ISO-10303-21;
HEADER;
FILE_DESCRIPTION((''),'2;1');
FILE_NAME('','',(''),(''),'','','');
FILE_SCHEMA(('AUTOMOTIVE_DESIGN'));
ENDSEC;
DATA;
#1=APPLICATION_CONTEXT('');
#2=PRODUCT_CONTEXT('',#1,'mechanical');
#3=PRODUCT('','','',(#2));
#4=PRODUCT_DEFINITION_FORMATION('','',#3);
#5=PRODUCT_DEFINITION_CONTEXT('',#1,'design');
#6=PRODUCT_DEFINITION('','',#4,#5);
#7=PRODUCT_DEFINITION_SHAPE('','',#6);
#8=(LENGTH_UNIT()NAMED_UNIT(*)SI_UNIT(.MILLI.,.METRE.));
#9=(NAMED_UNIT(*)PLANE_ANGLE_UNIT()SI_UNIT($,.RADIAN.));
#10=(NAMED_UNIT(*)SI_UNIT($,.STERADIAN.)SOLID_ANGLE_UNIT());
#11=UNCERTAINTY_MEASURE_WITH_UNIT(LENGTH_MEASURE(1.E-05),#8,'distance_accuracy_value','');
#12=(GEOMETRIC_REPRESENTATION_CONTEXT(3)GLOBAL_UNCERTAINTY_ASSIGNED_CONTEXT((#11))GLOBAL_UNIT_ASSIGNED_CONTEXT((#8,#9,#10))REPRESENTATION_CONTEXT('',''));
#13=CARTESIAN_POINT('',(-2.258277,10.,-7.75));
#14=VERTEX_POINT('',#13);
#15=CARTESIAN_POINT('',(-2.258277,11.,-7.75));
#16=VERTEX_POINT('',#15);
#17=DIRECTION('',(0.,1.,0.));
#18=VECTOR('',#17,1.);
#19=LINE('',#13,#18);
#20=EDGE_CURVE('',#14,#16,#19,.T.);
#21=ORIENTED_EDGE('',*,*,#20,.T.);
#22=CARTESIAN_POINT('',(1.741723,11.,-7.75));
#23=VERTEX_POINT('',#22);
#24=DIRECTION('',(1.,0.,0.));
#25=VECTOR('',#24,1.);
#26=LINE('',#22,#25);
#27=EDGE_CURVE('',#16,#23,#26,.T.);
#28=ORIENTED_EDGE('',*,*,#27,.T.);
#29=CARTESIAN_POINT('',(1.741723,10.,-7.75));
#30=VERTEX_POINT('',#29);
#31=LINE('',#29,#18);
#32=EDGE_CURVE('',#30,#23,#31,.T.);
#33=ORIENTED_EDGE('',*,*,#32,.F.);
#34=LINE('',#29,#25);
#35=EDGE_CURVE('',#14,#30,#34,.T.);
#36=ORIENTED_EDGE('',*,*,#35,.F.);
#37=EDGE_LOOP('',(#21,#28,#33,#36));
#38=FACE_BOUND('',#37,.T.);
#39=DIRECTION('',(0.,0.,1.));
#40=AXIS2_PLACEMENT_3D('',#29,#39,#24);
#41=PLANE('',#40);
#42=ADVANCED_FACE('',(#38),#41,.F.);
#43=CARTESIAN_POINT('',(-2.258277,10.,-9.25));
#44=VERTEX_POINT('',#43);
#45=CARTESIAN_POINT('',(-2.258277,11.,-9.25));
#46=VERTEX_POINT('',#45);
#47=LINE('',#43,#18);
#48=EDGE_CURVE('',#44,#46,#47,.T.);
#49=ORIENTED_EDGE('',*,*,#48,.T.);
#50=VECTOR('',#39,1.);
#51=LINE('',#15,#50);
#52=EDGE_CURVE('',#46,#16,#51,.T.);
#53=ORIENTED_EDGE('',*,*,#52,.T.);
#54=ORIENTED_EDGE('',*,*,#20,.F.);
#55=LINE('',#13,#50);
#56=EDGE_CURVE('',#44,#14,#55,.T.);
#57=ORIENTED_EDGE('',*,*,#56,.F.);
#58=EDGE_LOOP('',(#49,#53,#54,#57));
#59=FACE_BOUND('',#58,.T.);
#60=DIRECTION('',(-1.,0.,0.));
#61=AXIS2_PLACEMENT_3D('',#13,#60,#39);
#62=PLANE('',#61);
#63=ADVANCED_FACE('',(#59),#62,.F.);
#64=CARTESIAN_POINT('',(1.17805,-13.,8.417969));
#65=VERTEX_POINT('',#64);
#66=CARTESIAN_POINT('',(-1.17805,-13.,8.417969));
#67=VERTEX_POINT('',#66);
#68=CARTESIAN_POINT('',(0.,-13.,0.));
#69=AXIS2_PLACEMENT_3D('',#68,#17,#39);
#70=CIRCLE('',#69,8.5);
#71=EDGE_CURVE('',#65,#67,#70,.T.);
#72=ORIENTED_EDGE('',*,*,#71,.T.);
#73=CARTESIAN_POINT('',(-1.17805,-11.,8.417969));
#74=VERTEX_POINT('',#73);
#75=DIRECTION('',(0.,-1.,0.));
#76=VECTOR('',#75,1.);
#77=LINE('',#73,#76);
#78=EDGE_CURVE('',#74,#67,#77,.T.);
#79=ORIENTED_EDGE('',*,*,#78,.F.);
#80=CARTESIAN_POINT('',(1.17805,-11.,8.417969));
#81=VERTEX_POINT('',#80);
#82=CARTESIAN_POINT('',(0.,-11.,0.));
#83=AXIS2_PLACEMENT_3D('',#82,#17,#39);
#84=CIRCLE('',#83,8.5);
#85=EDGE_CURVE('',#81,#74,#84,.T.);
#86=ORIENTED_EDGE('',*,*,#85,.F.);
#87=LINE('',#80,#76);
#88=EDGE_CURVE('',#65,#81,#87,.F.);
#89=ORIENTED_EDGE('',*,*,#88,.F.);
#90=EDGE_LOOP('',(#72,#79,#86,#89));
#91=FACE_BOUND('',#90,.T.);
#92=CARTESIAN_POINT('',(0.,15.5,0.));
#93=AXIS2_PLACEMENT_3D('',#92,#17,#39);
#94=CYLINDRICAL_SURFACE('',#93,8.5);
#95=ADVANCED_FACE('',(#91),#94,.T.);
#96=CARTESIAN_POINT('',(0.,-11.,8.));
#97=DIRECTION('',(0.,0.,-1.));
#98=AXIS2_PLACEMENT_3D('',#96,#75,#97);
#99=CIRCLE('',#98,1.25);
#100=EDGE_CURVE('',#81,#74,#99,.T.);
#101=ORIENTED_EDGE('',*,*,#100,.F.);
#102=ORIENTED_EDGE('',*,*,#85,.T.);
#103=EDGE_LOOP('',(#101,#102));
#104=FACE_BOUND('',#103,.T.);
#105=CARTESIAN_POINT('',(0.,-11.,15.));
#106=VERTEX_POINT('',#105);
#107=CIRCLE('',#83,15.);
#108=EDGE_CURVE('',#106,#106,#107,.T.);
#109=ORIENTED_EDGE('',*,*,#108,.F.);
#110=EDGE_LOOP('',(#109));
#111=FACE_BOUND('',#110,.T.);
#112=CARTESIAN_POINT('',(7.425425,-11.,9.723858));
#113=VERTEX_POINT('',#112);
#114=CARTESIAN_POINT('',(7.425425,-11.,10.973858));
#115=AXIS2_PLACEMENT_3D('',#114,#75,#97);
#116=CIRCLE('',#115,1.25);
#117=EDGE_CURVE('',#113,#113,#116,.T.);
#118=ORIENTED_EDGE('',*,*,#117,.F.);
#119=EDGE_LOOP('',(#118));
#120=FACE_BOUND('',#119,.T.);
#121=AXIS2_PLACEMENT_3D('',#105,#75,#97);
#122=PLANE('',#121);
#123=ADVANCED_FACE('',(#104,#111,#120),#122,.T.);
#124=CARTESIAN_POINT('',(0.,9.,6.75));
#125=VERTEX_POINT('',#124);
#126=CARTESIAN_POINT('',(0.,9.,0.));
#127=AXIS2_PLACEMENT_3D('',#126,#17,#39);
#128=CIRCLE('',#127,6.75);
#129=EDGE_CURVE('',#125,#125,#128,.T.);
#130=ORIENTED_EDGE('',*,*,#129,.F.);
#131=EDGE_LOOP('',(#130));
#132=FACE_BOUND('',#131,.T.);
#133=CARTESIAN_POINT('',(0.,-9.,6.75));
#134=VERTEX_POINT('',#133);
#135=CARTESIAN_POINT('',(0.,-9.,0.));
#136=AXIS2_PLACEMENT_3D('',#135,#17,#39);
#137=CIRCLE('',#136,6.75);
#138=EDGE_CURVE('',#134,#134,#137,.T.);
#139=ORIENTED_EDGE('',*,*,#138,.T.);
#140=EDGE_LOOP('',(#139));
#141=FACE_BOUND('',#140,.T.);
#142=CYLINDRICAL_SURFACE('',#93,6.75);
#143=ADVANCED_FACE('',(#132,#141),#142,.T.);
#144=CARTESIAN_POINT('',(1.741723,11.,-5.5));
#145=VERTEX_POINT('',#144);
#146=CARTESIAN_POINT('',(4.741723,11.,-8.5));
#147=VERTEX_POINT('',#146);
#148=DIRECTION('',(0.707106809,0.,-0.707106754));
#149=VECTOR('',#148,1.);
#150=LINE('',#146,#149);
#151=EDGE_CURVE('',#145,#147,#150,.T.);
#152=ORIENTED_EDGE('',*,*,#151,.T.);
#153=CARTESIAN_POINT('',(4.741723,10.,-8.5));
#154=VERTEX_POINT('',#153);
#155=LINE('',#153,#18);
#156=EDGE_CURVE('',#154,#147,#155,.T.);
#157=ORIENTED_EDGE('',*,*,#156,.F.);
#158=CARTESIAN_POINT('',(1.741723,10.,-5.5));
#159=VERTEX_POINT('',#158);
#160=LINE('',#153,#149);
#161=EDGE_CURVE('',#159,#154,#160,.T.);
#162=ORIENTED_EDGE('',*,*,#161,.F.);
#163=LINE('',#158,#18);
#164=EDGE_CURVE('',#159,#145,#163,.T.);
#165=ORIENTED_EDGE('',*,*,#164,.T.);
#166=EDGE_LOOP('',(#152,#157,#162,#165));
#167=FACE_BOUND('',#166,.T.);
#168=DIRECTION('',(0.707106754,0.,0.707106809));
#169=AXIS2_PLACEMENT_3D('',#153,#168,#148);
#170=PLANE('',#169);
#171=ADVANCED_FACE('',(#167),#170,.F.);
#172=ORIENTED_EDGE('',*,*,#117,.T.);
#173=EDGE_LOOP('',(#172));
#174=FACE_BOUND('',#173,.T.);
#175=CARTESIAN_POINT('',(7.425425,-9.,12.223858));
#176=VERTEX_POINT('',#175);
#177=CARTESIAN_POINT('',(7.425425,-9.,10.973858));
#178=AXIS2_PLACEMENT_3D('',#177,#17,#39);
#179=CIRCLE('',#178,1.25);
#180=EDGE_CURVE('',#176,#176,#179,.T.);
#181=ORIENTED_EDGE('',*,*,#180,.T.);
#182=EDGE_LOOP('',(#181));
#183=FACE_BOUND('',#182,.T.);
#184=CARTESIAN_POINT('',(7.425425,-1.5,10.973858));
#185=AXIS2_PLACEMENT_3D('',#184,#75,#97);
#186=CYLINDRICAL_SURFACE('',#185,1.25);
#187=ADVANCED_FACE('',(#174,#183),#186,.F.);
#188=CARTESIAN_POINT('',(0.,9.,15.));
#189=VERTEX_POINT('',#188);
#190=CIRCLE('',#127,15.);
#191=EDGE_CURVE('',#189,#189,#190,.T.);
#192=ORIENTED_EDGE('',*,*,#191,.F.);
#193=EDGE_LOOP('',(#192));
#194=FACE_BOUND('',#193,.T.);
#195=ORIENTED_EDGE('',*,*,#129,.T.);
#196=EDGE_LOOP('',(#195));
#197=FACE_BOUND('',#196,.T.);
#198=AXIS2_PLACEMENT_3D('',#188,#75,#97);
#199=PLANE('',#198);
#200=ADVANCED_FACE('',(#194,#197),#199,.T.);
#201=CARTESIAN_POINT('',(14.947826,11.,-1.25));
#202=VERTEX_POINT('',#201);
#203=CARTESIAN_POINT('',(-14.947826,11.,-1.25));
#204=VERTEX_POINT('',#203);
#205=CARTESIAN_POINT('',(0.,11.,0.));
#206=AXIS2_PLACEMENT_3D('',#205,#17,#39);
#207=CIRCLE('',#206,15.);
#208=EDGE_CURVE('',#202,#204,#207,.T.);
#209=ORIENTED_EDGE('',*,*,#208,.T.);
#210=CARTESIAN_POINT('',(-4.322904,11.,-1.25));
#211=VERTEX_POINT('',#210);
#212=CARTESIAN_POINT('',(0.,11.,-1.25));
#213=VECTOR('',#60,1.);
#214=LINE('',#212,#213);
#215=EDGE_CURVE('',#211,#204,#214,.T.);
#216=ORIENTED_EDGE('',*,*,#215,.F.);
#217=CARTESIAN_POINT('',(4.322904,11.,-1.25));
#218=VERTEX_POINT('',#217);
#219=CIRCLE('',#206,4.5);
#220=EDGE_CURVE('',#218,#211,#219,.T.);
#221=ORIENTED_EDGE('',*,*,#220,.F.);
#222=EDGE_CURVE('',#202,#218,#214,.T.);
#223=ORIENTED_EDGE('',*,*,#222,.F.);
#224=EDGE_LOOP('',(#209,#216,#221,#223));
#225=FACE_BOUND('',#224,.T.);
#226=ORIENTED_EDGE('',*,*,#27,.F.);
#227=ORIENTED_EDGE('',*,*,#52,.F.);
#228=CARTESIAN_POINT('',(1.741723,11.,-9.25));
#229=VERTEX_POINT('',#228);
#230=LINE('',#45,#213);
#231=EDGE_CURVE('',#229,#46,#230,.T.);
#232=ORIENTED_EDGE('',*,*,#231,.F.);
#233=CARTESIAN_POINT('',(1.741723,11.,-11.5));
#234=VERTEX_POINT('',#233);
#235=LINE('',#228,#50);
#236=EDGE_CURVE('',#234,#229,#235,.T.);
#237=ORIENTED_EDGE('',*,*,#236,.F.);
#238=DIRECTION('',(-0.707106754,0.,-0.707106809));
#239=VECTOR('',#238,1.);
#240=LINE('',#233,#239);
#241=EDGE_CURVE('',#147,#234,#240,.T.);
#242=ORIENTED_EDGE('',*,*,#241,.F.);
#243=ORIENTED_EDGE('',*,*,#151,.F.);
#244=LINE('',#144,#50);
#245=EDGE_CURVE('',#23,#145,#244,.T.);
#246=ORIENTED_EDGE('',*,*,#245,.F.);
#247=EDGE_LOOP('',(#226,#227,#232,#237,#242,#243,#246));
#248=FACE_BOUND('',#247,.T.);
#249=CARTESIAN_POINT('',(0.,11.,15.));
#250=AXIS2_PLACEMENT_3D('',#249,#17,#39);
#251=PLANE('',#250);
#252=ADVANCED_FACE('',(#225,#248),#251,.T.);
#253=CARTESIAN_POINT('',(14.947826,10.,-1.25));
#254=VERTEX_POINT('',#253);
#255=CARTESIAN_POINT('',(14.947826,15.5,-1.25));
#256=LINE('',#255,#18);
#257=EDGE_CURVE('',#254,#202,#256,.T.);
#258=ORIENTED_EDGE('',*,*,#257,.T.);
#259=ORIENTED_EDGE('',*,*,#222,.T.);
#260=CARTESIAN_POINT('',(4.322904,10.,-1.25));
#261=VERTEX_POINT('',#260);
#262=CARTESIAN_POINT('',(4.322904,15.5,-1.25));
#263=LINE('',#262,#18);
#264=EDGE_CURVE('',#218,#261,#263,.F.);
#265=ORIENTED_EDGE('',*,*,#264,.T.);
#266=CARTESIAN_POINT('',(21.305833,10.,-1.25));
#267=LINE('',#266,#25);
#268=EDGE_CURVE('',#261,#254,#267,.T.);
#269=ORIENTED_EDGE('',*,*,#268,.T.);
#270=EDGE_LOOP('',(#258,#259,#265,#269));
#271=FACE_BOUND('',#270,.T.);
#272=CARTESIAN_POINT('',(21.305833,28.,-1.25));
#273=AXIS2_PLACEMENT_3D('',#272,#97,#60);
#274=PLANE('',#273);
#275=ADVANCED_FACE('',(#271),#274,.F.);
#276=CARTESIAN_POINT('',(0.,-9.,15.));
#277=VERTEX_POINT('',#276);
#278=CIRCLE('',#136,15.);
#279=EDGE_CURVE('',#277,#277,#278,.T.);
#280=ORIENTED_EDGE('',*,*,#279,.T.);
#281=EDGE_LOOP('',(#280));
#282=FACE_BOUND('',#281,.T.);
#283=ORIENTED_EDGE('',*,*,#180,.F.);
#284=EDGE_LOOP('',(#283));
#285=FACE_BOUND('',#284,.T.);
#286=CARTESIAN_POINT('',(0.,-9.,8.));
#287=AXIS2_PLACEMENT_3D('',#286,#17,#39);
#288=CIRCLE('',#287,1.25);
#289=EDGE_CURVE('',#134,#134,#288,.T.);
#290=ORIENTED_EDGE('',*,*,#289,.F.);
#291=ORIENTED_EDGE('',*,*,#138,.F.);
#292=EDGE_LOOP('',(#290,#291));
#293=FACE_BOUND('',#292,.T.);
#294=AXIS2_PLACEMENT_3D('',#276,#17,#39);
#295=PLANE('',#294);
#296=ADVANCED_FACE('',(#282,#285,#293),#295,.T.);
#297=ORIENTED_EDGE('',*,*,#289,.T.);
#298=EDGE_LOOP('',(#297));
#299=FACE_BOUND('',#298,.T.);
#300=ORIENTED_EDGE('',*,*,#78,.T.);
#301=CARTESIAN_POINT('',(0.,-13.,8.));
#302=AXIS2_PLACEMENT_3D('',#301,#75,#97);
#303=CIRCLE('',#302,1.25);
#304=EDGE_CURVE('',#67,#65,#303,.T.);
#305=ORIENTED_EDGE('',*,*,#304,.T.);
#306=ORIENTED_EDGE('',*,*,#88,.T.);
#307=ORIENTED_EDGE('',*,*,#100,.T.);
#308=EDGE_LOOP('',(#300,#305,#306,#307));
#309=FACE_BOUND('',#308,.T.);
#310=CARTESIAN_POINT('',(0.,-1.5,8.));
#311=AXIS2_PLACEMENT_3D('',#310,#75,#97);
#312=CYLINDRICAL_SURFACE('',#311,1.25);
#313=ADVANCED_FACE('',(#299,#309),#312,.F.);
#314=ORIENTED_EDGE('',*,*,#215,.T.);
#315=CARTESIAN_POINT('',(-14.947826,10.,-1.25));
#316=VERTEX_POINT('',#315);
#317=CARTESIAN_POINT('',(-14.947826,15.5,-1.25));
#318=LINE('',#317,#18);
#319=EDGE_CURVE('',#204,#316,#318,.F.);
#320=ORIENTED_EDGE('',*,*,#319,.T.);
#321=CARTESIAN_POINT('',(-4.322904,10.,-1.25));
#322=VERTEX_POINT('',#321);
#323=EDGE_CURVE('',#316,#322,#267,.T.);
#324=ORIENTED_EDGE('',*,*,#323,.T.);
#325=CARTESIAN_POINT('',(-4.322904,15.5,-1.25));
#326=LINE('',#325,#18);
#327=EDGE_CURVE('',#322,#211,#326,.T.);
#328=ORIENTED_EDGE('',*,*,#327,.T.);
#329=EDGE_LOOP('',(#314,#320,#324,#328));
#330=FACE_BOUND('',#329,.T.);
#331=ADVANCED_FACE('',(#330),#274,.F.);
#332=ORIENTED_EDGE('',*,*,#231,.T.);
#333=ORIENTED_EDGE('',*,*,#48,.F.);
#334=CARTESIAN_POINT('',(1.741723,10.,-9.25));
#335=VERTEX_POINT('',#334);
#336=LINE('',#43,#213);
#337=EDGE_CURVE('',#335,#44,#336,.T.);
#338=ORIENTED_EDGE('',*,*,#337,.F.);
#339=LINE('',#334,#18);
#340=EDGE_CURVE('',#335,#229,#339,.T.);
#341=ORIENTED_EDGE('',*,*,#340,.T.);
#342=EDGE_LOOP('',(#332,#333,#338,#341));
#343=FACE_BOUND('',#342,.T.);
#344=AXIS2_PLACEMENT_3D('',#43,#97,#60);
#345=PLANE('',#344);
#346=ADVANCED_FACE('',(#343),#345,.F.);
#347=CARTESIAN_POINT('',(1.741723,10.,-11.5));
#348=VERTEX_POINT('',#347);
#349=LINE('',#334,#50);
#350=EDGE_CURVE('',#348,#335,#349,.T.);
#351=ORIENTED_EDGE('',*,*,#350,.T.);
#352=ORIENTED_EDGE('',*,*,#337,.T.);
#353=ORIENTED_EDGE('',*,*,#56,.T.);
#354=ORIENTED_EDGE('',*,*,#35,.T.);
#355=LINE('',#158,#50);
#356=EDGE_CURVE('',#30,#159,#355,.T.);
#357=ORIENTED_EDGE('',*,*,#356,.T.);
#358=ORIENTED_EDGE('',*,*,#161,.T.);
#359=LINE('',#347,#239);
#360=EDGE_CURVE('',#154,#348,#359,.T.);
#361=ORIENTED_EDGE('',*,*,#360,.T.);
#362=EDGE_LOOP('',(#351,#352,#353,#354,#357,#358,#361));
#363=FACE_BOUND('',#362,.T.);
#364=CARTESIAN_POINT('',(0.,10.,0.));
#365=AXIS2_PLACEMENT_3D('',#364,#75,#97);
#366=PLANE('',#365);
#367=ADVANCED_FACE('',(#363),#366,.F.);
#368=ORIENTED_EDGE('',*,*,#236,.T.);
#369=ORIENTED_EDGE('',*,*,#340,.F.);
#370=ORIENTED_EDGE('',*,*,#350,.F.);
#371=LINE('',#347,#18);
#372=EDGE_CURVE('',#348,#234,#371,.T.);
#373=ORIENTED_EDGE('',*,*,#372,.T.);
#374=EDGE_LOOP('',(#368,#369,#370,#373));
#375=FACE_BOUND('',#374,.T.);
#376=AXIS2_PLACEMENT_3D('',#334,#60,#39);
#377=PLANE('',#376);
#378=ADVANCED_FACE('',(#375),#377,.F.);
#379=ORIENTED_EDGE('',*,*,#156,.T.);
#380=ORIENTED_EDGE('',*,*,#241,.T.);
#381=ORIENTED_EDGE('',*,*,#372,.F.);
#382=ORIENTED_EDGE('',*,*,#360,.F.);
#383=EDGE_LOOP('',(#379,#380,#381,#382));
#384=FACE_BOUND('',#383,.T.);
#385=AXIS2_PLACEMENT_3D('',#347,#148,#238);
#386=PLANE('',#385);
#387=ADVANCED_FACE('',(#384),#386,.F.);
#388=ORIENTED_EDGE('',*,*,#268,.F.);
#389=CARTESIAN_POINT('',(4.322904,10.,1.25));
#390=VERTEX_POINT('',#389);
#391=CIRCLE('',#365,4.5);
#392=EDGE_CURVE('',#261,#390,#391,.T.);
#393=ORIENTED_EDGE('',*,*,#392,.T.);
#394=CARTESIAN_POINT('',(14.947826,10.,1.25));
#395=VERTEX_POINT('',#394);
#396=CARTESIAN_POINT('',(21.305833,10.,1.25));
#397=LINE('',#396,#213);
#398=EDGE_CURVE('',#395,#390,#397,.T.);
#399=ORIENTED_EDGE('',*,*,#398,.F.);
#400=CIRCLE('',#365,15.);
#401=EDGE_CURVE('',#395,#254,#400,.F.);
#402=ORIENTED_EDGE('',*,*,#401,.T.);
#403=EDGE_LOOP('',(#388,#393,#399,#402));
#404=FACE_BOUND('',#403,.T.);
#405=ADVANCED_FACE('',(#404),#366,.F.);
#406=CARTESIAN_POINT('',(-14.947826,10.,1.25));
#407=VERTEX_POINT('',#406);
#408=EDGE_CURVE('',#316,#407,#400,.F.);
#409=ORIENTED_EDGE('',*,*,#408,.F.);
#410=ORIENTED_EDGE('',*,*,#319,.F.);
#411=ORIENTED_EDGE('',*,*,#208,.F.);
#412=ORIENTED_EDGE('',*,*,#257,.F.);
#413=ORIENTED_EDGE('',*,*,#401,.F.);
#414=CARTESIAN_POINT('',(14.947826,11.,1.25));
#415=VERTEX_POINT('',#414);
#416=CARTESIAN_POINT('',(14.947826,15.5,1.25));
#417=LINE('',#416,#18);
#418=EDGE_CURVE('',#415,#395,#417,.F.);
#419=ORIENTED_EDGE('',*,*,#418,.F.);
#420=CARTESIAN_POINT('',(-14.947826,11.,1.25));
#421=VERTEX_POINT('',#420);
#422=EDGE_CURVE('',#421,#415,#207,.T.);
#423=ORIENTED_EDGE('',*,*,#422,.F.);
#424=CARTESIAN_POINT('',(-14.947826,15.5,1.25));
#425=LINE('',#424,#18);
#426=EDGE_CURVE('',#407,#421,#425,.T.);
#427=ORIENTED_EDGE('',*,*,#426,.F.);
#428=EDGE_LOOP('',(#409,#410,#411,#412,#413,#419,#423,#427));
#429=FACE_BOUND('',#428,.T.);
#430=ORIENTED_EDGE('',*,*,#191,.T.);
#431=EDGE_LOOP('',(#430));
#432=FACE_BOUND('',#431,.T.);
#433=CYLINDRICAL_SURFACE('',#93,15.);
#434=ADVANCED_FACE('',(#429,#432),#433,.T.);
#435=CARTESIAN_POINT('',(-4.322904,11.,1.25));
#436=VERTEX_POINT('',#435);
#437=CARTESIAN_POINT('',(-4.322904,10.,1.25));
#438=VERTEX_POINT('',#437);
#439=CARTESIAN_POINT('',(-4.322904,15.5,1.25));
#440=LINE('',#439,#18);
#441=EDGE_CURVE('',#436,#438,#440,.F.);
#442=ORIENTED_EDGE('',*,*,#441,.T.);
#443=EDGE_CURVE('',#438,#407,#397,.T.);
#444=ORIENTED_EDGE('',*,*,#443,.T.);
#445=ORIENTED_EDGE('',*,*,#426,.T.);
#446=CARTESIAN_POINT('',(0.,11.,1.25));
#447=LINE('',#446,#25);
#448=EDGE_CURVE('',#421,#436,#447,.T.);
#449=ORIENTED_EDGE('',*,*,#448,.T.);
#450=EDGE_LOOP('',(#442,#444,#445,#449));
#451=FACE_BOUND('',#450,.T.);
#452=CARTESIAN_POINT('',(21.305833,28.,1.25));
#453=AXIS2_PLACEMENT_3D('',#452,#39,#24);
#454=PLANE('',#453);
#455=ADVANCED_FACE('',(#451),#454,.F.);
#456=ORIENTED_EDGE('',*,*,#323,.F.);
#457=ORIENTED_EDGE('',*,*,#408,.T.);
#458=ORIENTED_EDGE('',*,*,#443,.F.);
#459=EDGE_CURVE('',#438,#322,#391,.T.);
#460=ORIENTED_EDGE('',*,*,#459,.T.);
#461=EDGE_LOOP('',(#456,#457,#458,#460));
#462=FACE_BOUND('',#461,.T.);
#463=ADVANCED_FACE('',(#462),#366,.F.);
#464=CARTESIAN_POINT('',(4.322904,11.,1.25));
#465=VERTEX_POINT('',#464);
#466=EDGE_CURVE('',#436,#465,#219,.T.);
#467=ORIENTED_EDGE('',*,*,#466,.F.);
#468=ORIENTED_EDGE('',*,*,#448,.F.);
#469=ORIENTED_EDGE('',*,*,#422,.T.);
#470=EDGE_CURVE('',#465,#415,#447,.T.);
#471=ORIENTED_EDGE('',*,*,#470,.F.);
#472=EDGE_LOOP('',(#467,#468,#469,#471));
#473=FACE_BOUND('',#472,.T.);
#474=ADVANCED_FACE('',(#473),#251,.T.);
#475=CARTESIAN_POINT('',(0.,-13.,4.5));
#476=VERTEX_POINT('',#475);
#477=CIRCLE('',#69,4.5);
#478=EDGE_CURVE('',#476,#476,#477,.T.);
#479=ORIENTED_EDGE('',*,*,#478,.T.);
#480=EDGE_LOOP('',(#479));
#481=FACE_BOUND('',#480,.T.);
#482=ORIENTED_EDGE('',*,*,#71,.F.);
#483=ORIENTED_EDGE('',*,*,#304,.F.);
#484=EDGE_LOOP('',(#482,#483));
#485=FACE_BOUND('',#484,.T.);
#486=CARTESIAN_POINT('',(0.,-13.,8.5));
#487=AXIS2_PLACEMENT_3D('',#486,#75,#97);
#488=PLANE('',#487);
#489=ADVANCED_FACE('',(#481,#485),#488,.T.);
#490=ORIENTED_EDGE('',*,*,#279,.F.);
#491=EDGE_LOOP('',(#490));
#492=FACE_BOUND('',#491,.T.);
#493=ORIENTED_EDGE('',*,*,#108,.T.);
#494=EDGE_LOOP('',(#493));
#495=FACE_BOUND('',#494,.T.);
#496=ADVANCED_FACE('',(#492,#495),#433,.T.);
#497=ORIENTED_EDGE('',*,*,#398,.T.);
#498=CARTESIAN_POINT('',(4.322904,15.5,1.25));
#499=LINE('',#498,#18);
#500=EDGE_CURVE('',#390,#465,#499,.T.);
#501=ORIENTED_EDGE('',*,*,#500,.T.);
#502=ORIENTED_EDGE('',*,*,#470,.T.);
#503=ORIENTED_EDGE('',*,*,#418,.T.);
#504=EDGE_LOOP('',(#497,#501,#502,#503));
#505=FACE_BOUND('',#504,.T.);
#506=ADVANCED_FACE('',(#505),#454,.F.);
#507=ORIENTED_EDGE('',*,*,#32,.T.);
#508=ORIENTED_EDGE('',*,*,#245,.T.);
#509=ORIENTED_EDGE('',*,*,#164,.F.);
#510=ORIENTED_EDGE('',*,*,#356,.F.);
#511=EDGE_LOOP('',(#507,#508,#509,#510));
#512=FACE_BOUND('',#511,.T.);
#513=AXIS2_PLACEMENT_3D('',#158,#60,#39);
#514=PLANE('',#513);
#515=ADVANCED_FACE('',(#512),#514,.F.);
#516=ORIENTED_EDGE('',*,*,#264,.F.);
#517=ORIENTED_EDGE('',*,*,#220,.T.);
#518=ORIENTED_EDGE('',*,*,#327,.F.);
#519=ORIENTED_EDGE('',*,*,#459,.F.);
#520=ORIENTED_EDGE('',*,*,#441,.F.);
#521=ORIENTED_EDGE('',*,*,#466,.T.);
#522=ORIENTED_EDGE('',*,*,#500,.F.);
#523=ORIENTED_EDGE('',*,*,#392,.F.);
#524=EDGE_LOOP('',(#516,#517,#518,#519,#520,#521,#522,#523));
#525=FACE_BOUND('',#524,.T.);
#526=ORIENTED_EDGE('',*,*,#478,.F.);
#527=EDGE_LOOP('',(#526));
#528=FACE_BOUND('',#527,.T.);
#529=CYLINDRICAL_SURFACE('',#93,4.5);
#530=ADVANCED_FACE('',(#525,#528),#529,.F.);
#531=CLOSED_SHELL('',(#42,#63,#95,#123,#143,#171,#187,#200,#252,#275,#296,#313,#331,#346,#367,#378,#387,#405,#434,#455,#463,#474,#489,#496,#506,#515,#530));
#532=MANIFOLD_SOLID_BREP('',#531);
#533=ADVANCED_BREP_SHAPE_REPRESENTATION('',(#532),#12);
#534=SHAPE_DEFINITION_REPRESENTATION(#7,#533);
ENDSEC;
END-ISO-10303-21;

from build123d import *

# Parameters (mm, degrees)
CUT_EXTRUDE2_DEPTH      = 1
CUT_EXTRUDE3_DEPTH      = 17
CUT_EXTRUDE3_DEPTH_BACK = 1
CUT_EXTRUDE3_START      = -40
SKETCH5_W               = 42.611665196
SKETCH5_H               = 2.5
SKETCH3_R               = 1.25
CUT_EXTRUDE1_DEPTH      = 9.5


with BuildPart() as part:
    # Sketch2 → Revolve1 (revolve)
    with BuildSketch(Plane(origin=(0, 0, 0), x_dir=(0, 0, -1), z_dir=(1, 0, 0))):
        Polygon((-15, 11), (-15, 9), (-6.75, 9), (-6.75, -9), (-15, -9), (-15, -11), (-8.5, -11), (-8.5, -13), (-4.5, -13), (-4.5, -12), (-4.5, 11), align=None)
    revolve(axis=Axis((0, 15.5, 0), (0, -1, 0)))

    # Sketch4 → Cut-Extrude2 (cut)
    with BuildSketch(Plane(origin=(0, 11, 0), x_dir=(1, 0, 0), z_dir=(0, 1, 0))):
        Polygon((-2.25827734, 9.25), (1.74172266, 9.25), (1.74172266, 11.500000233), (4.74172266, 8.5), (1.74172266, 5.500000233), (1.74172266, 7.75), (-2.25827734, 7.75), align=None)
    extrude(amount=-CUT_EXTRUDE2_DEPTH, mode=Mode.SUBTRACT)

    # Sketch5 → Cut-Extrude3 (cut, two sides: drawn at the far end of the back side and taken through both)
    with BuildSketch(Plane.XZ.offset(13).offset(CUT_EXTRUDE3_START - CUT_EXTRUDE3_DEPTH_BACK)):
        Rectangle(SKETCH5_W, SKETCH5_H)
    extrude(amount=CUT_EXTRUDE3_DEPTH + CUT_EXTRUDE3_DEPTH_BACK, mode=Mode.SUBTRACT)

    # Sketch3 → Cut-Extrude1 (cut, symmetric)
    with BuildSketch(Plane.XZ.offset(11)):
        with Locations(Location((0, 8, 0), (0, 0, 270))):
            Circle(SKETCH3_R)
        with Locations(Location((7.425425002, 10.973858189, 0), (0, 0, 270))):
            Circle(SKETCH3_R)
    extrude(amount=CUT_EXTRUDE1_DEPTH, both=True, mode=Mode.SUBTRACT)


solid = part.part
